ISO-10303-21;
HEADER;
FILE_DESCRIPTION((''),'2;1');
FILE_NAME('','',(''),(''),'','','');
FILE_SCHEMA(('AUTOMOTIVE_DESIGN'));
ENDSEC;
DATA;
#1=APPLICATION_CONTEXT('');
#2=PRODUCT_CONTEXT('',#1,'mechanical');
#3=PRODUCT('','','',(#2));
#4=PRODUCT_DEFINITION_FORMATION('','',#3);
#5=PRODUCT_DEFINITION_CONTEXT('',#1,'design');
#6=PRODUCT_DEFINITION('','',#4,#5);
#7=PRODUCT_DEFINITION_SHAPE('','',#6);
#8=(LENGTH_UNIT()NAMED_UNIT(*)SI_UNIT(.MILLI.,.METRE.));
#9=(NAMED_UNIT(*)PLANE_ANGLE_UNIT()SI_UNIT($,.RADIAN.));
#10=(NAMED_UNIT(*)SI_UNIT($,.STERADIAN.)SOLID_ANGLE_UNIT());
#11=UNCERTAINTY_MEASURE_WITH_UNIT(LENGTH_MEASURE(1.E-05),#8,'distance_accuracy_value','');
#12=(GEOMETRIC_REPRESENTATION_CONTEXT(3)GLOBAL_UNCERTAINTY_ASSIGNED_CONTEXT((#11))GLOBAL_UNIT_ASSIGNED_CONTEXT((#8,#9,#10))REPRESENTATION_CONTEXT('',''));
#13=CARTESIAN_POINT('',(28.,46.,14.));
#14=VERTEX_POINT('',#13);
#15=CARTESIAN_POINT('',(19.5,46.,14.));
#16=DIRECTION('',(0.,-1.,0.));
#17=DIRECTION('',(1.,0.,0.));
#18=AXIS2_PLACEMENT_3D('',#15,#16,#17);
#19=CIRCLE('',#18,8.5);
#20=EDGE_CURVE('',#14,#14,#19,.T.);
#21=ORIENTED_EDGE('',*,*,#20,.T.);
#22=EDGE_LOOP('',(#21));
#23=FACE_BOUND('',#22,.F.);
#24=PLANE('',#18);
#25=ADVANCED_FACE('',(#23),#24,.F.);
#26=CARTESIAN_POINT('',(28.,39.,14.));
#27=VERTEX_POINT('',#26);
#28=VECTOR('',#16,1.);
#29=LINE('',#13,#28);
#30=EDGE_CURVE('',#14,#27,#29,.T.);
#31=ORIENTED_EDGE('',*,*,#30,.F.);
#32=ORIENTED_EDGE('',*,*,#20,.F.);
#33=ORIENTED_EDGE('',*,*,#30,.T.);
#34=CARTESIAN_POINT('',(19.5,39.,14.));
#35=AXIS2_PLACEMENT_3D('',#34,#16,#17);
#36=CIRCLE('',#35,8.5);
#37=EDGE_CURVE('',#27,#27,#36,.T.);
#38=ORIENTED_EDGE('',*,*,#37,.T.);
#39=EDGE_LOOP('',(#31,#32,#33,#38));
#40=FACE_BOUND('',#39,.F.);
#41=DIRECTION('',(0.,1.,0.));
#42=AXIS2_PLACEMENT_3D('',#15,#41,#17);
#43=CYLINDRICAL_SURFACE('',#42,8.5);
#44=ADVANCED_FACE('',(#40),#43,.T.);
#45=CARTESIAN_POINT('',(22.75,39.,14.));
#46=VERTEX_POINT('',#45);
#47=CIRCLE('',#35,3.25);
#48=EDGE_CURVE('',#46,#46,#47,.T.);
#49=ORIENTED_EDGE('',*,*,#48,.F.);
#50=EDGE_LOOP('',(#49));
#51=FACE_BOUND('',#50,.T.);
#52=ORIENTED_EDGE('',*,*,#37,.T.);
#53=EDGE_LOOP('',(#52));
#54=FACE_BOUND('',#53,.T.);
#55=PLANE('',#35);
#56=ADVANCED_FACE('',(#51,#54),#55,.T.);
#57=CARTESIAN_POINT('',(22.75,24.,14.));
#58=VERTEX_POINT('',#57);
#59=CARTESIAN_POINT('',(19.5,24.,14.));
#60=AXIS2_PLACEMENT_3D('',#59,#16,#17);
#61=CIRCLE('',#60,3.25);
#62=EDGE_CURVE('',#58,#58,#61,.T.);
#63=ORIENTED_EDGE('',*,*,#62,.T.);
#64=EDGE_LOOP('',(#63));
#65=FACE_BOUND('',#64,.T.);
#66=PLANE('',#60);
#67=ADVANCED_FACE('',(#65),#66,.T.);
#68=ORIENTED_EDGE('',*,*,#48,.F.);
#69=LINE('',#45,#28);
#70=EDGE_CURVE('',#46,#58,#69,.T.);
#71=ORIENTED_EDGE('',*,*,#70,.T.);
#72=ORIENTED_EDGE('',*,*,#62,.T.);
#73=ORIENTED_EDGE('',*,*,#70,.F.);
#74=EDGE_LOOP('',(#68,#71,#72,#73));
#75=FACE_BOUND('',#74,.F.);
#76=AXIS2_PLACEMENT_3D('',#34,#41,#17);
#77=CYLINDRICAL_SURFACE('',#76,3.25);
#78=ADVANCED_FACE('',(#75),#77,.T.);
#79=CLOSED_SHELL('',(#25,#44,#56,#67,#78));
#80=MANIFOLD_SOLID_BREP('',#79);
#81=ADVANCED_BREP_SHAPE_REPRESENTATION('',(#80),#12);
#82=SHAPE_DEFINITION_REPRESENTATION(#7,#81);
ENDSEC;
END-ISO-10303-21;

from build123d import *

# Parameters (mm, degrees)
CYLINDER010_R     = 8.5
CYLINDER010_DEPTH = 7
CYLINDER011_R     = 3.25
CYLINDER011_DEPTH = 15


with BuildPart() as potentiometerbody:
    # Cylinder010 → Cylinder010 (new body)
    with BuildSketch(Plane(origin=(19.5, 46, 14), x_dir=(1, 0, 0), z_dir=(0, -1, 0))):
        Circle(CYLINDER010_R)
    extrude(amount=CYLINDER010_DEPTH)


with BuildPart() as potentiometer:
    # Cylinder011 → Cylinder011 (new body)
    with BuildSketch(Plane(origin=(19.5, 39, 14), x_dir=(1, 0, 0), z_dir=(0, -1, 0))):
        Circle(CYLINDER011_R)
    extrude(amount=CYLINDER011_DEPTH)

    # Fusion010: union PotentiometerBody
    add(potentiometerbody.part)


solid = potentiometer.part
